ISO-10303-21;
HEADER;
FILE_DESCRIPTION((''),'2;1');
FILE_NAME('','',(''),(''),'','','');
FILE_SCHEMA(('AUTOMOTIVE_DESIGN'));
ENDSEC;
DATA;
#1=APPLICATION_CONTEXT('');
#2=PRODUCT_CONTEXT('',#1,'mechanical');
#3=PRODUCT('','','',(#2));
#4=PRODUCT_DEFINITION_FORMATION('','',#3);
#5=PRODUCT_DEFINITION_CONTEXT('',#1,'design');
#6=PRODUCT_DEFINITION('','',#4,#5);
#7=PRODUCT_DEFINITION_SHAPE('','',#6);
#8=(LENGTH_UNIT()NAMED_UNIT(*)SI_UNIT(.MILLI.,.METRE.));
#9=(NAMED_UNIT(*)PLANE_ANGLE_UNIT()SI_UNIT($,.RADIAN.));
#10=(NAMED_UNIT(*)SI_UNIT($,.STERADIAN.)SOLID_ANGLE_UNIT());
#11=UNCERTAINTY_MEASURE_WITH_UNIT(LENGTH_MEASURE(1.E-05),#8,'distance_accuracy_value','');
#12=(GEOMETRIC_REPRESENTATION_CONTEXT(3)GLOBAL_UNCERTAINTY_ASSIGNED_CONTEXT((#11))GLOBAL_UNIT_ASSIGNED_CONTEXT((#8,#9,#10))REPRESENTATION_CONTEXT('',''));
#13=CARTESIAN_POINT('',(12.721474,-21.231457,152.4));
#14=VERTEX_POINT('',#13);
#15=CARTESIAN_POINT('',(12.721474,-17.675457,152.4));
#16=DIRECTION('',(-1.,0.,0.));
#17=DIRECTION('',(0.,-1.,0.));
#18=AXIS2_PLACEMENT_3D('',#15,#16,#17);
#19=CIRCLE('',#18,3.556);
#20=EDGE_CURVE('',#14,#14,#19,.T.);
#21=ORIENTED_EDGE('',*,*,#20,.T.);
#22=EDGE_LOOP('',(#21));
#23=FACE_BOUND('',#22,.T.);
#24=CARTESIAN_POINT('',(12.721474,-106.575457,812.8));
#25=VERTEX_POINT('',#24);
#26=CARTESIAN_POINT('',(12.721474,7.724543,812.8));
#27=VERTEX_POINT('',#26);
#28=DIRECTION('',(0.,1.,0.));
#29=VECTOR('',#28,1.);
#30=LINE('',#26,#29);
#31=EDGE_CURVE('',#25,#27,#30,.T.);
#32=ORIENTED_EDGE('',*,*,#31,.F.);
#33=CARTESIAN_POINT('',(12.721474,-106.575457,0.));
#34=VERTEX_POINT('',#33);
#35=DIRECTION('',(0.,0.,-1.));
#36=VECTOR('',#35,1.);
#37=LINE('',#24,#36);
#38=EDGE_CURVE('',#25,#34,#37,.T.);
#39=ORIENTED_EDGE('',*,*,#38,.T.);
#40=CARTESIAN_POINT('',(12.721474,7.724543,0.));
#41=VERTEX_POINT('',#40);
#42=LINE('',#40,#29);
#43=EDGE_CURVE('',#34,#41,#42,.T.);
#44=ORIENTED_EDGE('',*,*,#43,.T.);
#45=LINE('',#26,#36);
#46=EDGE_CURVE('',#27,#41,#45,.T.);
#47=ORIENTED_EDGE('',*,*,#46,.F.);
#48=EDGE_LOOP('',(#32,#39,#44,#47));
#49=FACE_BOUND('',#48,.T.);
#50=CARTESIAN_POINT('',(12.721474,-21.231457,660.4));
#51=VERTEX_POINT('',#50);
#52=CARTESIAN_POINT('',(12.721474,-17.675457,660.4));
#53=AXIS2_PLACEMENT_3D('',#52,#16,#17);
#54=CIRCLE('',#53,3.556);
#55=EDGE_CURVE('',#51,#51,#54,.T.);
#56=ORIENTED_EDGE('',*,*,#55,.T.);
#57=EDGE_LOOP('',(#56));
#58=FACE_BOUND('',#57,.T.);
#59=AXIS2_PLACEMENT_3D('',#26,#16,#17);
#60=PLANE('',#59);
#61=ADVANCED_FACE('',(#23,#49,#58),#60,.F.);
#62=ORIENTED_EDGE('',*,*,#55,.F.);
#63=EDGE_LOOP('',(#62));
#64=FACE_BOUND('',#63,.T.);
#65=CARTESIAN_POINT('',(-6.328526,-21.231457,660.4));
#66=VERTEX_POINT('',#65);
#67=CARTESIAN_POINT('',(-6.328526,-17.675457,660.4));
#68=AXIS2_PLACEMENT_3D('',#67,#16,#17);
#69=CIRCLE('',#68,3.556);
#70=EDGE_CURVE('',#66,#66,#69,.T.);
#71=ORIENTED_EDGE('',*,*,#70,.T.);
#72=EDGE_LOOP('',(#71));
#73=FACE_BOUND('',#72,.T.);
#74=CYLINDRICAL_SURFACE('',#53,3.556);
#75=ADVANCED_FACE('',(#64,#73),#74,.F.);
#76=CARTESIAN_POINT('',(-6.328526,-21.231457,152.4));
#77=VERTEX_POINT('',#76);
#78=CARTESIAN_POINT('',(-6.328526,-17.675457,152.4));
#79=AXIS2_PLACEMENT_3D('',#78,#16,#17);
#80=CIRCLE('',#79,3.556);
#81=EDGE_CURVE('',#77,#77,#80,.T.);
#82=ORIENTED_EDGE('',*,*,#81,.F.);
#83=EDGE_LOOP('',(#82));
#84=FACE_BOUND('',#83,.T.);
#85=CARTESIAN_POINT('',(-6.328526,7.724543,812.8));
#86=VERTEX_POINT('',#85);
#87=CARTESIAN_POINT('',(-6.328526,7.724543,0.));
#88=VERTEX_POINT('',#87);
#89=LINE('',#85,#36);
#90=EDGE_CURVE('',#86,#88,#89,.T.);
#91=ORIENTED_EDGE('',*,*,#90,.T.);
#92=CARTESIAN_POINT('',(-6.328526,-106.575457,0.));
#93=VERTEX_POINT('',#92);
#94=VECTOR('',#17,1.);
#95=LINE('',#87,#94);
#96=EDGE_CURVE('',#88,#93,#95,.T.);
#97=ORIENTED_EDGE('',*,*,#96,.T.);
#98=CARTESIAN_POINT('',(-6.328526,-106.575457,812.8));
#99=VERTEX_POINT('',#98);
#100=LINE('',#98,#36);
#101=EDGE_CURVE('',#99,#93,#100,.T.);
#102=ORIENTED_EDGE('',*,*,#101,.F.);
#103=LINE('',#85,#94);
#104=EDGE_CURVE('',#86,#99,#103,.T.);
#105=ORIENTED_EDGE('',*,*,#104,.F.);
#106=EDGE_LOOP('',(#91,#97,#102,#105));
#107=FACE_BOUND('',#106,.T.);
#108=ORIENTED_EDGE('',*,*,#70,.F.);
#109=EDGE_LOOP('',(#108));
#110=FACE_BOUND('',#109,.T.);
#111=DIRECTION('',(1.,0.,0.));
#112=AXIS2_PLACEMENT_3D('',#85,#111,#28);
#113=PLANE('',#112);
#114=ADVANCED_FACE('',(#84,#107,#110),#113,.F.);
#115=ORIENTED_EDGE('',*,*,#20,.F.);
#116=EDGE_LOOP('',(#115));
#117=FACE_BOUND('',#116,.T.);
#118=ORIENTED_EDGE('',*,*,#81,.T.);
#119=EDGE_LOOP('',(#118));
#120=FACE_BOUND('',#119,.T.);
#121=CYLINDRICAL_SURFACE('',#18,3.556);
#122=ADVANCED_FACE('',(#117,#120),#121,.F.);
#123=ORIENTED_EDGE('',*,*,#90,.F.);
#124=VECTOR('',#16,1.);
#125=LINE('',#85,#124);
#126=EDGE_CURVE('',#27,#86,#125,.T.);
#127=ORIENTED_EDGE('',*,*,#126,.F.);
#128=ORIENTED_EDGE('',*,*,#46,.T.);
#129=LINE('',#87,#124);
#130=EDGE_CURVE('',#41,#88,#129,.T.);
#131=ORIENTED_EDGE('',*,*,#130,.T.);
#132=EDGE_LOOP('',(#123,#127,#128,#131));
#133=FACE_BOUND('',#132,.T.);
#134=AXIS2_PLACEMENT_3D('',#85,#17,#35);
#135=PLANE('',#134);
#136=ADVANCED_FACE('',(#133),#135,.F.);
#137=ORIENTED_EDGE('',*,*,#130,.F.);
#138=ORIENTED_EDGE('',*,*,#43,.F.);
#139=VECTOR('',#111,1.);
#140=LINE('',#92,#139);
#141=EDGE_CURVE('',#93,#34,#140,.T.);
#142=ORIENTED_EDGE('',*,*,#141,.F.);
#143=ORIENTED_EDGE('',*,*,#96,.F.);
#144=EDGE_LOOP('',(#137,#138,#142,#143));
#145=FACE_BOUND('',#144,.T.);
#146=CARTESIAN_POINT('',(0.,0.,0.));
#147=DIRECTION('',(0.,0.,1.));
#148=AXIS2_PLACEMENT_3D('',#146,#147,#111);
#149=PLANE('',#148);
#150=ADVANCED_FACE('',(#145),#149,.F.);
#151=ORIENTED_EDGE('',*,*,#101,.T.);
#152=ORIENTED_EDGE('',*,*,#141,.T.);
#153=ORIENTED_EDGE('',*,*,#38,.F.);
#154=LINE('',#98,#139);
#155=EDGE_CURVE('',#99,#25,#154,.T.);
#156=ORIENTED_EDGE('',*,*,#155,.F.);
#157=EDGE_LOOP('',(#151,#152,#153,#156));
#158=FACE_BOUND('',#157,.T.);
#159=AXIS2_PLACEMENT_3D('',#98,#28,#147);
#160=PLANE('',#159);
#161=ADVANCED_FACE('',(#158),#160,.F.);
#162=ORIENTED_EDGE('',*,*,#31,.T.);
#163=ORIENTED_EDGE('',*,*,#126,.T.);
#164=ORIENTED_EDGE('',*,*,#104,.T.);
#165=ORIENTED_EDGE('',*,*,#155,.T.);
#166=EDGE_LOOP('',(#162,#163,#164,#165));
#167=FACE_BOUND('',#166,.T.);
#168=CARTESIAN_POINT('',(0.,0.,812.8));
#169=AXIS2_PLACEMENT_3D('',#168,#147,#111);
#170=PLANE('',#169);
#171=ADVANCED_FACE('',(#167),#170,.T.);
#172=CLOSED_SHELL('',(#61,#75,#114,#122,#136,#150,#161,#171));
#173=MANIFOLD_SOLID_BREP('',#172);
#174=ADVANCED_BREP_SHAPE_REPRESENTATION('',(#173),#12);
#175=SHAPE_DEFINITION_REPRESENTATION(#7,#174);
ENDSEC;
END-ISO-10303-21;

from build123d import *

# Parameters (mm, degrees)
SKETCH1_W           = 19.05
SKETCH1_H           = 114.3
BOSS_EXTRUDE1_DEPTH = 812.8
SKETCH2_R           = 3.556
CUT_EXTRUDE3_DEPTH  = 820.97870131
SKETCH2_6_R         = 3.556
CUT_EXTRUDE4_DEPTH  = 820.97870131


with BuildPart() as part:
    # Sketch1 → Boss-Extrude1 (new body)
    with BuildSketch(Plane.XY):
        with Locations((3.196473841, -49.425457317)):
            Rectangle(SKETCH1_W, SKETCH1_H)
    extrude(amount=BOSS_EXTRUDE1_DEPTH)

    # Sketch2 → Cut-Extrude3 (cut, through all)
    with BuildSketch(Plane.ZY.offset(6.328526159)):
        with Locations((660.4, -17.675457317)):
            Circle(SKETCH2_R)
    extrude(amount=-CUT_EXTRUDE3_DEPTH, mode=Mode.SUBTRACT)

    # Sketch2<6> → Cut-Extrude4 (cut, through all)
    with BuildSketch(Plane.ZY.offset(6.328526159)):
        with Locations((152.4, -17.675457317)):
            Circle(SKETCH2_6_R)
    extrude(amount=-CUT_EXTRUDE4_DEPTH, mode=Mode.SUBTRACT)


solid = part.part
